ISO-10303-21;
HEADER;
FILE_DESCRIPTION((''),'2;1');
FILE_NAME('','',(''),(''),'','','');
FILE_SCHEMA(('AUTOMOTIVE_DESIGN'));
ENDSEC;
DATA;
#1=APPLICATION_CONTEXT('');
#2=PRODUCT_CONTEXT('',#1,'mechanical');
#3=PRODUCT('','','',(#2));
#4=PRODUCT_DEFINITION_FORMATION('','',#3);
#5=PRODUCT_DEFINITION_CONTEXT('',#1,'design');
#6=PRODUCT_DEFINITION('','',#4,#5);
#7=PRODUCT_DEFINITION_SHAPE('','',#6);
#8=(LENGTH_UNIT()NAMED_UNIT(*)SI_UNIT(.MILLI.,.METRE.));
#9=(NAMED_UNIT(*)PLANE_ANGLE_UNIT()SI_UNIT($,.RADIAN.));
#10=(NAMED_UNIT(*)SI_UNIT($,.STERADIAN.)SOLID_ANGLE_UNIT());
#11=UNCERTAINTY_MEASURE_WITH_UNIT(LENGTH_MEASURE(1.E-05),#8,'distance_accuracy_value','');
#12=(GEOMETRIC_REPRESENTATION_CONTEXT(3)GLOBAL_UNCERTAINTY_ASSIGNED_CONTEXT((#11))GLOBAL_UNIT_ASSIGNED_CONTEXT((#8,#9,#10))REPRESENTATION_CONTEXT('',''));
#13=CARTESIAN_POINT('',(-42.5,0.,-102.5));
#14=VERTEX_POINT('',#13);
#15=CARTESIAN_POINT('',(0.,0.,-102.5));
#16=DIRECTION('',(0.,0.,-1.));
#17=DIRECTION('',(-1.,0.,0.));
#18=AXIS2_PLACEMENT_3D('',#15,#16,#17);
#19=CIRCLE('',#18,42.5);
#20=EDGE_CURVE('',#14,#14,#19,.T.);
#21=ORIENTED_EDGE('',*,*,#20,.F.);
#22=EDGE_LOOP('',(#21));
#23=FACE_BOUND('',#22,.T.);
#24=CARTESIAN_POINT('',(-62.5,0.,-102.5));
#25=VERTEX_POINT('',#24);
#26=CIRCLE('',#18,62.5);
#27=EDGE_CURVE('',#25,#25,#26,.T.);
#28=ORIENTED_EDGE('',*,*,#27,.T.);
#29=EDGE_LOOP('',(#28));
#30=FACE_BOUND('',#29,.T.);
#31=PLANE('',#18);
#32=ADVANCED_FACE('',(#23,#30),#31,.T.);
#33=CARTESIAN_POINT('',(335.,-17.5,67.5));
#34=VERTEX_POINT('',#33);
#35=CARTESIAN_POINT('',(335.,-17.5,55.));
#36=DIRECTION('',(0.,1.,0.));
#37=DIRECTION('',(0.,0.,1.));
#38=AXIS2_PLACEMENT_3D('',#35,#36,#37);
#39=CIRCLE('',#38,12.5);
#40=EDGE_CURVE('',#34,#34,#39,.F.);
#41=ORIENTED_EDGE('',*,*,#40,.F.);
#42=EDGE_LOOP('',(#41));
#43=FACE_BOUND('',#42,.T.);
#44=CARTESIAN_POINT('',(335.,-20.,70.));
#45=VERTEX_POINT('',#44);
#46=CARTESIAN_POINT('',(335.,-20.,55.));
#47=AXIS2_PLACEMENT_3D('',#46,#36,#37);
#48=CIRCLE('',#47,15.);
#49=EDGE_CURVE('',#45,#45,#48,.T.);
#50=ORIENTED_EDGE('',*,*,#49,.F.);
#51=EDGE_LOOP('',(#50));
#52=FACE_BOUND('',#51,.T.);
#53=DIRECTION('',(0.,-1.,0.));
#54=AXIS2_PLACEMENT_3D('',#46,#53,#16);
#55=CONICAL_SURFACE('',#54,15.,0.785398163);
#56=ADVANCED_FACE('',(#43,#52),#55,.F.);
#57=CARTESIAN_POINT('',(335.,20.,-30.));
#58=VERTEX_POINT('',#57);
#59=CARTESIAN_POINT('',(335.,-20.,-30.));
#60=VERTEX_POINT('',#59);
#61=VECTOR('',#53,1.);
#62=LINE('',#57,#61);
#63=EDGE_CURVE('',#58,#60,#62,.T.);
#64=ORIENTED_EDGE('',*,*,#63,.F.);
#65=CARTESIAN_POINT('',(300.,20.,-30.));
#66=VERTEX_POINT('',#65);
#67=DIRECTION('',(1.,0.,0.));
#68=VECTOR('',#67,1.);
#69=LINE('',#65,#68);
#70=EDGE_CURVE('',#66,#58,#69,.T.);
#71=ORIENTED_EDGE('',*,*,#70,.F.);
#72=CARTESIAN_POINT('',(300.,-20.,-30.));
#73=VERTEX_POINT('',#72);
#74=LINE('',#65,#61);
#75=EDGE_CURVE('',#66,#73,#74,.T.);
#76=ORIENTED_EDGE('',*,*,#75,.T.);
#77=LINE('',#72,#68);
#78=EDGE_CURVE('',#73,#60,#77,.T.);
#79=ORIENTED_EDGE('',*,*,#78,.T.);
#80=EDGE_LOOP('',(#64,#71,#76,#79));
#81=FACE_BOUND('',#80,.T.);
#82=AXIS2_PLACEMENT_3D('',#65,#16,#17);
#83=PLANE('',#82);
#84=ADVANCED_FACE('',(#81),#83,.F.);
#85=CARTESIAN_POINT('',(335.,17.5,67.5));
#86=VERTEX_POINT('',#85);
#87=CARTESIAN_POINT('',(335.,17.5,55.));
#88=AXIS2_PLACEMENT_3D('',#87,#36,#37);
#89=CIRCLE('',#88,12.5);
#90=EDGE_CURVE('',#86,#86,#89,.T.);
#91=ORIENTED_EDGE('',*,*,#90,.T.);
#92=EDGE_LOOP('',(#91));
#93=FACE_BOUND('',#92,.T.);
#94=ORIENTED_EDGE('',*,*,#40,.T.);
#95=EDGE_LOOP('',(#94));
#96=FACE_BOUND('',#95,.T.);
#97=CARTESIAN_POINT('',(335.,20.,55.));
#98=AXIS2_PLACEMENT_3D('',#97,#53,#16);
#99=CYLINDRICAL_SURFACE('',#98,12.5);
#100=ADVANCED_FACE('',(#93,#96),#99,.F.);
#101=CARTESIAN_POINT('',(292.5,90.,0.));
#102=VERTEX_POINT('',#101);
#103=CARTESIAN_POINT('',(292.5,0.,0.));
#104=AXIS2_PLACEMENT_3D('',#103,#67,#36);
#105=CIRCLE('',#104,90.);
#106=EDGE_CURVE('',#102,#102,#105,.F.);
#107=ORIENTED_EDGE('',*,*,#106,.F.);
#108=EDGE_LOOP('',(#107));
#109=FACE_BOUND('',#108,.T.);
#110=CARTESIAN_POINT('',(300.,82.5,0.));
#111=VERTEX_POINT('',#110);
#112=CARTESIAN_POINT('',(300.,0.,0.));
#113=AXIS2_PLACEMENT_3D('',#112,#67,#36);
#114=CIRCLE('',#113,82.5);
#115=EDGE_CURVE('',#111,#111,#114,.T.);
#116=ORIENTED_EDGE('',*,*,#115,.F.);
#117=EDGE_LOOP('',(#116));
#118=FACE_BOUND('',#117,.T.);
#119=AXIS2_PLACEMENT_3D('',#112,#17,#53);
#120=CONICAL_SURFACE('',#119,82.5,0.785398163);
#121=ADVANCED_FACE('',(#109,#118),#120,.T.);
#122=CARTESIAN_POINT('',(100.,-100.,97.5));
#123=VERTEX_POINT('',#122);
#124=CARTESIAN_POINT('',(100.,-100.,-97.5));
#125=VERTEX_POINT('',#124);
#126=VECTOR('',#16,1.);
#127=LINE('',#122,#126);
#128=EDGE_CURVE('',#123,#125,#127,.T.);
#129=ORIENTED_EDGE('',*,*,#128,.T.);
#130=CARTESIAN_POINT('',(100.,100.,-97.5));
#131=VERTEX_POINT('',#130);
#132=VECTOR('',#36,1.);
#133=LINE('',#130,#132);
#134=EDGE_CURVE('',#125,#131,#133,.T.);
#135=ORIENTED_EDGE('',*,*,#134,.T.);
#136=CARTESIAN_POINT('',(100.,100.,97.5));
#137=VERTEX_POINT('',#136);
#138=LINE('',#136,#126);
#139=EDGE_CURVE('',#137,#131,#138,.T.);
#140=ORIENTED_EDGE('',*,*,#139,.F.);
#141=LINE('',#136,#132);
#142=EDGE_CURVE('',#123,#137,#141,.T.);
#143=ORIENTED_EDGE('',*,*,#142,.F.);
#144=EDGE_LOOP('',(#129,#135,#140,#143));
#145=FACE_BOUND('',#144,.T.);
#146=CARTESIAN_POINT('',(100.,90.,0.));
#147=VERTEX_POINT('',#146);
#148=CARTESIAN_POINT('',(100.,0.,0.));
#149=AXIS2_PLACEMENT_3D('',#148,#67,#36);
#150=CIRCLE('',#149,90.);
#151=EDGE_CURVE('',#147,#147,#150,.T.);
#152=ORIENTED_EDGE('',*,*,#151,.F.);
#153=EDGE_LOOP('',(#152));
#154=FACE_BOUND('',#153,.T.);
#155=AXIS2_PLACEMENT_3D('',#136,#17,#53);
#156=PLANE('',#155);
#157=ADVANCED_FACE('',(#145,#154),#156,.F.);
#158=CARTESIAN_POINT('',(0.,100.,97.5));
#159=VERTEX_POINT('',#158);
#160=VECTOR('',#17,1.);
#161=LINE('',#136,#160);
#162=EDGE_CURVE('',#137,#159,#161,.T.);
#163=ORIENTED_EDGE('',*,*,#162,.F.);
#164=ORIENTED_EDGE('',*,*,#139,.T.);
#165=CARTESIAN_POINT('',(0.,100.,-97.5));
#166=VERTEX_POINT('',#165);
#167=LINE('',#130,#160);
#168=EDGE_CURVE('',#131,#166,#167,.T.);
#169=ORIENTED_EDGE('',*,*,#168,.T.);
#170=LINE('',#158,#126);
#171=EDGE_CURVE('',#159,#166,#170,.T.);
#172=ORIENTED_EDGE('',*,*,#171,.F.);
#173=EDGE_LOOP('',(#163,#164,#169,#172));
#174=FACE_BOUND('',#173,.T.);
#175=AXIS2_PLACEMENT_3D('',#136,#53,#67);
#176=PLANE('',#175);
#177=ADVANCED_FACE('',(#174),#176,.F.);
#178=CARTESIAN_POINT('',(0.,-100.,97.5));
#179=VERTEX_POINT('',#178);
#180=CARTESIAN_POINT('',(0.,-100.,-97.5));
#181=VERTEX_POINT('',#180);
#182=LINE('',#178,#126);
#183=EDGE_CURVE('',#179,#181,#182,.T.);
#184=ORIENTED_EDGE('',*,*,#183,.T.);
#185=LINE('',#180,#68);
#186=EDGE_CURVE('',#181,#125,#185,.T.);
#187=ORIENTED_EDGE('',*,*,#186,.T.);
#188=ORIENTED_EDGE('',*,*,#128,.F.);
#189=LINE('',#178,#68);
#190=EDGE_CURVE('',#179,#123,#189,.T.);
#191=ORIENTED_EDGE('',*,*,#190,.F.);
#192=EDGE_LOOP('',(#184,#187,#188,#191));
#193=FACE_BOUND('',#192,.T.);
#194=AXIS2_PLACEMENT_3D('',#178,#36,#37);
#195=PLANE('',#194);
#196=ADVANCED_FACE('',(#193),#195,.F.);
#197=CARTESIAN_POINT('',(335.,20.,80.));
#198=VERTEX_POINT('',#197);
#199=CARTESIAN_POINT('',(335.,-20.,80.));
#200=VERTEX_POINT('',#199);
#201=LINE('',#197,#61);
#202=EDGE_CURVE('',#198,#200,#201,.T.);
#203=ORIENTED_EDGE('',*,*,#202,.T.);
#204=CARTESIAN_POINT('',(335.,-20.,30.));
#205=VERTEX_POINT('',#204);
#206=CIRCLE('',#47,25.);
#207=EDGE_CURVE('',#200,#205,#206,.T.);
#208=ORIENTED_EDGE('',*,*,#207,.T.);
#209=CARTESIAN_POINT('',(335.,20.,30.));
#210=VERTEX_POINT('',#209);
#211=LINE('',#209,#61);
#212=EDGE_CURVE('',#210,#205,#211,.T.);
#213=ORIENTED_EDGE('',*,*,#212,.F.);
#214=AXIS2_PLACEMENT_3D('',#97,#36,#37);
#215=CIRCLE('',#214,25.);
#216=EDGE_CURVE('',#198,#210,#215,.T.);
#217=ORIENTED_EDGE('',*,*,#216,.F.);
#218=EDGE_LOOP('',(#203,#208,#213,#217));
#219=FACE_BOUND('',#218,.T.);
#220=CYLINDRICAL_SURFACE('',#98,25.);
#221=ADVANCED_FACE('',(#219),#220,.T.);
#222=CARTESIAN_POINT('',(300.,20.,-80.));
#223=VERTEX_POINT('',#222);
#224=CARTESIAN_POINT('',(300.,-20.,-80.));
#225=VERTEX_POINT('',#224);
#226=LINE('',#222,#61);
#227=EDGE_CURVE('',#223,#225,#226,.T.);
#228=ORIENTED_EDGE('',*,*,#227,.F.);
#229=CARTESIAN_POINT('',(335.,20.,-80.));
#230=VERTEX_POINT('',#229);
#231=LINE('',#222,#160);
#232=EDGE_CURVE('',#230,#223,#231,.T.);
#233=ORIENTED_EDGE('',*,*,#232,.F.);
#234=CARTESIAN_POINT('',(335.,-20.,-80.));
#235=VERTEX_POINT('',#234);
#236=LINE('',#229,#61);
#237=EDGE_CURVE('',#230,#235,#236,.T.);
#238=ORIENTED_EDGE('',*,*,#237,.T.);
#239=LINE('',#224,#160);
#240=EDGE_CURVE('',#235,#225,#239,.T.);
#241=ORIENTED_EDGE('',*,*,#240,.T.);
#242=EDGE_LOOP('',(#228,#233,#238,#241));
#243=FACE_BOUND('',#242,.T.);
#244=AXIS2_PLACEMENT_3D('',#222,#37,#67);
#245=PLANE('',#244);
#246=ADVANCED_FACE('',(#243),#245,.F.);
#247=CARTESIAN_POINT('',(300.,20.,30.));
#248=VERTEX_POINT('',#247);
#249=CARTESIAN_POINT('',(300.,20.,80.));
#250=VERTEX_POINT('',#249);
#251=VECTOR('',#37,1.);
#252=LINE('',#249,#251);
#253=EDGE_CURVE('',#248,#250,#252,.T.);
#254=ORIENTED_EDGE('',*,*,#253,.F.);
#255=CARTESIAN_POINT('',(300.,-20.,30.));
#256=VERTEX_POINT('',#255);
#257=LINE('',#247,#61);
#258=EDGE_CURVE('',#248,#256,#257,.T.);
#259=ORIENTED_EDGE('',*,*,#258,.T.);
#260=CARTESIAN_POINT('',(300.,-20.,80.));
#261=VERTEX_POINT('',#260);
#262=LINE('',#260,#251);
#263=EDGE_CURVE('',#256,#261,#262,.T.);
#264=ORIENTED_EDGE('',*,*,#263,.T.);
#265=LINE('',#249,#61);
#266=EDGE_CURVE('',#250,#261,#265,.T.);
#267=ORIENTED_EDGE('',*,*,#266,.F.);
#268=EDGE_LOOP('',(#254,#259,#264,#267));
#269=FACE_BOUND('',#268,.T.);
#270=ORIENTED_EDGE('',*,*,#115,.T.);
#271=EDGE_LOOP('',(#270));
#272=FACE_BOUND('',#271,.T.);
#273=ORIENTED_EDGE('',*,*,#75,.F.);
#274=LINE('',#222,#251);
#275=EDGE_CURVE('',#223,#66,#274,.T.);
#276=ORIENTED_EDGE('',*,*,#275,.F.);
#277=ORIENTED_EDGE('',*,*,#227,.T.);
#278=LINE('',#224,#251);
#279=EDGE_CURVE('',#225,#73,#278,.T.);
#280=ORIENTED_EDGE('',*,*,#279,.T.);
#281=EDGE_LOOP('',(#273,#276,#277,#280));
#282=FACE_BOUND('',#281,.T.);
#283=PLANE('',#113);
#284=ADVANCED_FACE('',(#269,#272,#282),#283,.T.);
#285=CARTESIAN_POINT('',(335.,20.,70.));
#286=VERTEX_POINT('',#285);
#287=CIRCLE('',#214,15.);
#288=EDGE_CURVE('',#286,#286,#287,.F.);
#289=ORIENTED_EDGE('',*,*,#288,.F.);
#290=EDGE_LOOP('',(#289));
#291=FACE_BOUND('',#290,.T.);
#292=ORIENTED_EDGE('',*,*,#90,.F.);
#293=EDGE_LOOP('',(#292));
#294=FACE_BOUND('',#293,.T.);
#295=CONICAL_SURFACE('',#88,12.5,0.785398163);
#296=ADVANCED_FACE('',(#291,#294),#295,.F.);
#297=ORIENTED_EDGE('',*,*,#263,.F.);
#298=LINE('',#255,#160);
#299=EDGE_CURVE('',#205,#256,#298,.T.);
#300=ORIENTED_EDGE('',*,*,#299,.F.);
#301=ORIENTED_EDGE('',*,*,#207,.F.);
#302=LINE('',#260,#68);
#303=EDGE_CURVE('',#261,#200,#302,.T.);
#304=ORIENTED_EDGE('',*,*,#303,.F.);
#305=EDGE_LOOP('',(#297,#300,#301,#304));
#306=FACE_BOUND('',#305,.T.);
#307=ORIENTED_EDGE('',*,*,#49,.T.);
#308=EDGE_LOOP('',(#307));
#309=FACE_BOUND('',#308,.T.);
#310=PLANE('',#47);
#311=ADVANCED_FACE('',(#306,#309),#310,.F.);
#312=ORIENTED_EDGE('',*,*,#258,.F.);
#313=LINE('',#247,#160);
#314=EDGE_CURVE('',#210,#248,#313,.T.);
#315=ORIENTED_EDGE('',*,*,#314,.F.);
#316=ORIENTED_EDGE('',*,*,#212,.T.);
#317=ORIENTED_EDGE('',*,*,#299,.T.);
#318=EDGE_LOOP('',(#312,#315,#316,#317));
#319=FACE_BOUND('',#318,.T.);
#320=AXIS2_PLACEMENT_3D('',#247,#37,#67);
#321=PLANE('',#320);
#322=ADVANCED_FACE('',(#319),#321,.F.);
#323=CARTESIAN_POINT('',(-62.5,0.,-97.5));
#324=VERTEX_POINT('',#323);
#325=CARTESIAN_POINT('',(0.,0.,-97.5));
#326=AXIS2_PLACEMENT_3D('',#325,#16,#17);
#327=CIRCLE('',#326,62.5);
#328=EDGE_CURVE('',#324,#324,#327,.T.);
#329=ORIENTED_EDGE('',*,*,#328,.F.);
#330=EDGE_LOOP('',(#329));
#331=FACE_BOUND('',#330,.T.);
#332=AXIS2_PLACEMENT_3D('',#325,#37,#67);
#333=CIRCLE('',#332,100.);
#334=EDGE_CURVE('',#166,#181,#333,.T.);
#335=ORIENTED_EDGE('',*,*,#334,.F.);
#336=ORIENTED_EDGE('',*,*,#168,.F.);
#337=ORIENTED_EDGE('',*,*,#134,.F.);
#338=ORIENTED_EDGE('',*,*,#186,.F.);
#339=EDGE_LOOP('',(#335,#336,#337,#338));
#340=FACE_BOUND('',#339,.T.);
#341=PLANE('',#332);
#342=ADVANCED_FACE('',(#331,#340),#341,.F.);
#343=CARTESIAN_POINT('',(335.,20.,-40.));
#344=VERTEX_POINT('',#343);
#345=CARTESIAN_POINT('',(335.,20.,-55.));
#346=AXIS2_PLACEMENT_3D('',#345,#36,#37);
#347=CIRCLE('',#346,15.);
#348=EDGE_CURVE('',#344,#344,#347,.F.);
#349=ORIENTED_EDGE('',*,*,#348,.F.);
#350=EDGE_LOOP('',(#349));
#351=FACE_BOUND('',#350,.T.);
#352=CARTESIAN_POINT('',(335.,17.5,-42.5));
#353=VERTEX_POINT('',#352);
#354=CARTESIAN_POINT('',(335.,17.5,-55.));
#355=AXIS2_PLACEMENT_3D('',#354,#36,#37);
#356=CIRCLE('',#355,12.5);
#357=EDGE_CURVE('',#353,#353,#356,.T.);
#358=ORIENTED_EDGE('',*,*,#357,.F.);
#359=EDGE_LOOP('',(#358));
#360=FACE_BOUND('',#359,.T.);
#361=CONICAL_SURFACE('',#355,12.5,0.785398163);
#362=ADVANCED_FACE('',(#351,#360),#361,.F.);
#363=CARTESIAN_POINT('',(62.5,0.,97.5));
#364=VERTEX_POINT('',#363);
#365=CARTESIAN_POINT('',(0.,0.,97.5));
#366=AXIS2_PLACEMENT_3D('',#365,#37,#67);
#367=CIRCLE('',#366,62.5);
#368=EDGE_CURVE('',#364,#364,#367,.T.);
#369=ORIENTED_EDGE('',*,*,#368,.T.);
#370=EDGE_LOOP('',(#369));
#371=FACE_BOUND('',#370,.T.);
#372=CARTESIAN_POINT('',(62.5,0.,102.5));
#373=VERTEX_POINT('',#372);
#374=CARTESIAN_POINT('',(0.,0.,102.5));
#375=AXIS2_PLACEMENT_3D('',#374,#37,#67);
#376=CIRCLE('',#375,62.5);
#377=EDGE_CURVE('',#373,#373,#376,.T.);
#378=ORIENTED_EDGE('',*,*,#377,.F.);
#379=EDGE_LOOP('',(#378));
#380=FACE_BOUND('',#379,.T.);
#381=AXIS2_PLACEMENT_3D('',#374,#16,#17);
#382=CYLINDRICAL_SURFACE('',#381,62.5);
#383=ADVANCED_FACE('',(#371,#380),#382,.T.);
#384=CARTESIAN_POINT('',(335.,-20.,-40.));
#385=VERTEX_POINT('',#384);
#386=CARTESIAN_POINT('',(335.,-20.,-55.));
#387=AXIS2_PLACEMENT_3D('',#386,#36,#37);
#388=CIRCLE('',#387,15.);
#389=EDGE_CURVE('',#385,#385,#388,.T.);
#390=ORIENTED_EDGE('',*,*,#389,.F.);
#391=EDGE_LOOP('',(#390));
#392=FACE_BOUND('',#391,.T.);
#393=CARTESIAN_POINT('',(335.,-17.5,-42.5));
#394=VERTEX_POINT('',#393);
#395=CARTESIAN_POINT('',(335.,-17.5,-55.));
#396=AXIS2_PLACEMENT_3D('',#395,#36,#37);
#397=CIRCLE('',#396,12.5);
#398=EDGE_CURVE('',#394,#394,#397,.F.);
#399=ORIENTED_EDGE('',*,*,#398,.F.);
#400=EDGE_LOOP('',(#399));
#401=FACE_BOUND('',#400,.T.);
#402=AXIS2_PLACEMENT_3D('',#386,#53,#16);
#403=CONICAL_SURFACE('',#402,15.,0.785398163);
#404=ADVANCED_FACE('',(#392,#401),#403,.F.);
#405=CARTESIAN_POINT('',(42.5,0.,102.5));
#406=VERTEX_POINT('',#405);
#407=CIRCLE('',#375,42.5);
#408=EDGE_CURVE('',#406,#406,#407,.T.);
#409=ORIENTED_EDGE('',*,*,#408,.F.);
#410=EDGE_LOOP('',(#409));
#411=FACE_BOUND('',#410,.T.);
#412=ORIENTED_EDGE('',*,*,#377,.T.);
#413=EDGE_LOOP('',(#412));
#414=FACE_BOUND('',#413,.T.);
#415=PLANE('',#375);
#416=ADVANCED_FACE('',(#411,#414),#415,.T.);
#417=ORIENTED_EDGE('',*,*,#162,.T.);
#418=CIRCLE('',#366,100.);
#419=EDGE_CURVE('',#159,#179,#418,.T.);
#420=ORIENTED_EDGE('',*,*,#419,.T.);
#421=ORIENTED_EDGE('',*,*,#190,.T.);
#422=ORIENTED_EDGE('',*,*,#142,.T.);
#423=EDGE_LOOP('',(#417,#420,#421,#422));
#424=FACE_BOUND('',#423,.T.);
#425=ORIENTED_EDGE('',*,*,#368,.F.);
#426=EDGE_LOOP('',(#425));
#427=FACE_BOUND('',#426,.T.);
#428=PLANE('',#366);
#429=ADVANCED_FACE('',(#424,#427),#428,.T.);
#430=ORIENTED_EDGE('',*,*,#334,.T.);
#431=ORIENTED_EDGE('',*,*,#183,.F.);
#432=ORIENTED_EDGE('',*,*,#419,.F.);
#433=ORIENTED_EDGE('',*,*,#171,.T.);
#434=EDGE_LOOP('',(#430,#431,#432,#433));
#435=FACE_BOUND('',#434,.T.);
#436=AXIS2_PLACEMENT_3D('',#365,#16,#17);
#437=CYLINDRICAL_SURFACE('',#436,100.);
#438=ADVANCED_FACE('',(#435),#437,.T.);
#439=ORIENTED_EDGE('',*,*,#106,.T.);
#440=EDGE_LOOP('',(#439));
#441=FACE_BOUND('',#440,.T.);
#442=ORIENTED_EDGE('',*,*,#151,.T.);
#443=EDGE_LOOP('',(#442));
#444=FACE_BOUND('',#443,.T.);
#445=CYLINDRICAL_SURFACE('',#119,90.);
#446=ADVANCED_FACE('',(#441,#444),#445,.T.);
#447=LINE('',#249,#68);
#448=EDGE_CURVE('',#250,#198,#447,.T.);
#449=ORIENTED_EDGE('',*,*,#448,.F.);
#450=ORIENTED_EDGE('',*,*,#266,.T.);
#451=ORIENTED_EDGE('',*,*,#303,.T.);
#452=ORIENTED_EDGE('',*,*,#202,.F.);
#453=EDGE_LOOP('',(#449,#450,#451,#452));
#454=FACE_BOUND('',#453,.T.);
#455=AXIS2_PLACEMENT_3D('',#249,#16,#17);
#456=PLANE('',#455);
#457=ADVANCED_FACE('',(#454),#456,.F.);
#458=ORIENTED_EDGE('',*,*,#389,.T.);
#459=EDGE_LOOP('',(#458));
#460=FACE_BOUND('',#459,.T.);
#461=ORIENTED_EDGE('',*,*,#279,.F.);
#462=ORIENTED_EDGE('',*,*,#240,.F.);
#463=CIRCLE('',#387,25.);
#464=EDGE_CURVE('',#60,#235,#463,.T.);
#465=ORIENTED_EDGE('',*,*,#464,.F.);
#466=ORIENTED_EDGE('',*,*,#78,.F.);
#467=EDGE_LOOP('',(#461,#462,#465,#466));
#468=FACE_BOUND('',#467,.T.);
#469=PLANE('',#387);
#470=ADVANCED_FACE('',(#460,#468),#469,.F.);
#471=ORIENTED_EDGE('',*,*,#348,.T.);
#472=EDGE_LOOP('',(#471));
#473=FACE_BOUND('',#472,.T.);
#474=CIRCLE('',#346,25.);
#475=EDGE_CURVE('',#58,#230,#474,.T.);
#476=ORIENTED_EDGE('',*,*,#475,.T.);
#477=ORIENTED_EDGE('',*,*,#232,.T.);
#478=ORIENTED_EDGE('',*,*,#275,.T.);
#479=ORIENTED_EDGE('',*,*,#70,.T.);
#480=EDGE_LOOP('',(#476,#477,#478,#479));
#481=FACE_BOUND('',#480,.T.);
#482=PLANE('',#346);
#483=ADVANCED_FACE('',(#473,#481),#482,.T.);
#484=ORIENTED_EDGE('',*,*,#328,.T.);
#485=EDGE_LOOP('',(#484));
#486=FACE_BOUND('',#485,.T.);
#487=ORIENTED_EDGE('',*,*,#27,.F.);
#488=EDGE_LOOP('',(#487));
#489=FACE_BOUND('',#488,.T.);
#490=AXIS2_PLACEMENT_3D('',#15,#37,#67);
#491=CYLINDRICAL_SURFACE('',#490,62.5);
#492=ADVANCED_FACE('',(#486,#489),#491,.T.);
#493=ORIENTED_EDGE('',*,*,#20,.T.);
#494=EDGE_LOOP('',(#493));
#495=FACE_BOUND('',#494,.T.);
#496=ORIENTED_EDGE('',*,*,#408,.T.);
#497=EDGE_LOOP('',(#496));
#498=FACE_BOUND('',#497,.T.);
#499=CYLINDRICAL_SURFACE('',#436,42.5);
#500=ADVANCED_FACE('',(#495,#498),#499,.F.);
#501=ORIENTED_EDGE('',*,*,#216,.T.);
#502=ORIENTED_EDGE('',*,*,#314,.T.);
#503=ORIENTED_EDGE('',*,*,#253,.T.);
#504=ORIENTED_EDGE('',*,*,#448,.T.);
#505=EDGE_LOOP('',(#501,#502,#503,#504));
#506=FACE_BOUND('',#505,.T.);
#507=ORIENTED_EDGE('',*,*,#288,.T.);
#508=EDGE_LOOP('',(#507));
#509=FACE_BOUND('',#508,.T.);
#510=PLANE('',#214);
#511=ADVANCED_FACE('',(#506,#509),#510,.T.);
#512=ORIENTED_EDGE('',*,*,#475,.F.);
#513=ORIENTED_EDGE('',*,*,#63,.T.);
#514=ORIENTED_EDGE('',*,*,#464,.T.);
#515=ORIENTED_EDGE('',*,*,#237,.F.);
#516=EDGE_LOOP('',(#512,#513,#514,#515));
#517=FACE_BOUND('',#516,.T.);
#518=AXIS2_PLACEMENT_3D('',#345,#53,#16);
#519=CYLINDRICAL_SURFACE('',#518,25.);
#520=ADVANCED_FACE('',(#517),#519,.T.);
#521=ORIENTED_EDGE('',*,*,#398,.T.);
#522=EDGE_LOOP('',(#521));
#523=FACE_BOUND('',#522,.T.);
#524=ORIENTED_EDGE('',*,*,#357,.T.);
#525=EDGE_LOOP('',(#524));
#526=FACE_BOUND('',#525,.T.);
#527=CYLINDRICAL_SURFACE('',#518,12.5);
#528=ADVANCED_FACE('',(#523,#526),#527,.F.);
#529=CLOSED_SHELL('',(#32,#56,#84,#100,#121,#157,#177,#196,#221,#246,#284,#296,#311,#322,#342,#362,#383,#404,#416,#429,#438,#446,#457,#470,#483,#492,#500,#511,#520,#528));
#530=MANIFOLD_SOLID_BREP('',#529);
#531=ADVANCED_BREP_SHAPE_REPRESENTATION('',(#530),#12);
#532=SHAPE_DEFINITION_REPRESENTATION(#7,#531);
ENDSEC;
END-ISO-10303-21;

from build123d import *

# Parameters (mm, degrees)
SKETCH1_R           = 42.5
BOSS_EXTRUDE1_DEPTH = 97.5
SKETCH2_R           = 62.5
SKETCH2_R_2         = 42.5
BOSS_EXTRUDE2_DEPTH = 5
SKETCH3_R           = 62.5
SKETCH3_R_2         = 42.5
BOSS_EXTRUDE3_DEPTH = 5
SKETCH4_R           = 90
BOSS_EXTRUDE4_DEPTH = 200
SKETCH6_R           = 12.5
BOSS_EXTRUDE5_DEPTH = 20
CHAMFER1_SIZE       = 7.5
CHAMFER2_SIZE       = 2.5


with BuildPart() as part:
    # Sketch1 → Boss-Extrude1 (new body, symmetric)
    with BuildSketch(Plane.XY):
        with BuildLine():
            Line((100, 100), (100, -100))
            Line((100, -100), (0, -100))
            ThreePointArc((0, -100), (-100, 0), (0, 100))
            Line((0, 100), (100, 100))
        make_face()
        Circle(SKETCH1_R, mode=Mode.SUBTRACT)
    extrude(amount=BOSS_EXTRUDE1_DEPTH, both=True)

    # Sketch2 → Boss-Extrude2 (add)
    with BuildSketch(Plane(origin=(0, 0, -97.5), x_dir=(-1, 0, 0), z_dir=(0, 0, -1))):
        Circle(SKETCH2_R)
        Circle(SKETCH2_R_2, mode=Mode.SUBTRACT)
    extrude(amount=BOSS_EXTRUDE2_DEPTH)

    # Sketch3 → Boss-Extrude3 (add)
    with BuildSketch(Plane.XY.offset(97.5)):
        Circle(SKETCH3_R)
        Circle(SKETCH3_R_2, mode=Mode.SUBTRACT)
    extrude(amount=BOSS_EXTRUDE3_DEPTH)

    # Sketch4 → Boss-Extrude4 (add)
    with BuildSketch(Plane(origin=(100, 0, 0), x_dir=(0, 0, -1), z_dir=(1, 0, 0))):
        Circle(SKETCH4_R)
    extrude(amount=BOSS_EXTRUDE4_DEPTH)

    # Sketch6 → Boss-Extrude5 (add, symmetric)
    with BuildSketch(Plane(origin=(0, 0, 0), x_dir=(1, 0, 0), z_dir=(0, 1, 0))):
        with BuildLine():
            Line((300, -80), (335, -80))
            ThreePointArc((335, -80), (360, -55), (335, -30))
            Line((335, -30), (300, -30))
            Line((300, -30), (300, -80))
        make_face()
        with Locations((335, -55)):
            Circle(SKETCH6_R, mode=Mode.SUBTRACT)
        with BuildLine():
            Line((300, 80), (335, 80))
            ThreePointArc((335, 80), (360, 55), (335, 30))
            Line((335, 30), (300, 30))
            Line((300, 30), (300, 80))
        make_face()
        with Locations((335, 55)):
            Circle(SKETCH6_R, mode=Mode.SUBTRACT)
    extrude(amount=BOSS_EXTRUDE5_DEPTH, both=True)

    # Chamfer1
    chamfer1_edges = [part.edges().sort_by_distance(p)[0] for p in [
        (300, 0, 90),
    ]]
    chamfer(chamfer1_edges, length=CHAMFER1_SIZE)

    # Chamfer2
    chamfer2_edges = [part.edges().sort_by_distance(p)[0] for p in [
        (322.5, -20, 55),
        (322.5, 20, 55),
        (322.5, -20, -55),
        (322.5, 20, -55),
    ]]
    chamfer(chamfer2_edges, length=CHAMFER2_SIZE)


solid = part.part
